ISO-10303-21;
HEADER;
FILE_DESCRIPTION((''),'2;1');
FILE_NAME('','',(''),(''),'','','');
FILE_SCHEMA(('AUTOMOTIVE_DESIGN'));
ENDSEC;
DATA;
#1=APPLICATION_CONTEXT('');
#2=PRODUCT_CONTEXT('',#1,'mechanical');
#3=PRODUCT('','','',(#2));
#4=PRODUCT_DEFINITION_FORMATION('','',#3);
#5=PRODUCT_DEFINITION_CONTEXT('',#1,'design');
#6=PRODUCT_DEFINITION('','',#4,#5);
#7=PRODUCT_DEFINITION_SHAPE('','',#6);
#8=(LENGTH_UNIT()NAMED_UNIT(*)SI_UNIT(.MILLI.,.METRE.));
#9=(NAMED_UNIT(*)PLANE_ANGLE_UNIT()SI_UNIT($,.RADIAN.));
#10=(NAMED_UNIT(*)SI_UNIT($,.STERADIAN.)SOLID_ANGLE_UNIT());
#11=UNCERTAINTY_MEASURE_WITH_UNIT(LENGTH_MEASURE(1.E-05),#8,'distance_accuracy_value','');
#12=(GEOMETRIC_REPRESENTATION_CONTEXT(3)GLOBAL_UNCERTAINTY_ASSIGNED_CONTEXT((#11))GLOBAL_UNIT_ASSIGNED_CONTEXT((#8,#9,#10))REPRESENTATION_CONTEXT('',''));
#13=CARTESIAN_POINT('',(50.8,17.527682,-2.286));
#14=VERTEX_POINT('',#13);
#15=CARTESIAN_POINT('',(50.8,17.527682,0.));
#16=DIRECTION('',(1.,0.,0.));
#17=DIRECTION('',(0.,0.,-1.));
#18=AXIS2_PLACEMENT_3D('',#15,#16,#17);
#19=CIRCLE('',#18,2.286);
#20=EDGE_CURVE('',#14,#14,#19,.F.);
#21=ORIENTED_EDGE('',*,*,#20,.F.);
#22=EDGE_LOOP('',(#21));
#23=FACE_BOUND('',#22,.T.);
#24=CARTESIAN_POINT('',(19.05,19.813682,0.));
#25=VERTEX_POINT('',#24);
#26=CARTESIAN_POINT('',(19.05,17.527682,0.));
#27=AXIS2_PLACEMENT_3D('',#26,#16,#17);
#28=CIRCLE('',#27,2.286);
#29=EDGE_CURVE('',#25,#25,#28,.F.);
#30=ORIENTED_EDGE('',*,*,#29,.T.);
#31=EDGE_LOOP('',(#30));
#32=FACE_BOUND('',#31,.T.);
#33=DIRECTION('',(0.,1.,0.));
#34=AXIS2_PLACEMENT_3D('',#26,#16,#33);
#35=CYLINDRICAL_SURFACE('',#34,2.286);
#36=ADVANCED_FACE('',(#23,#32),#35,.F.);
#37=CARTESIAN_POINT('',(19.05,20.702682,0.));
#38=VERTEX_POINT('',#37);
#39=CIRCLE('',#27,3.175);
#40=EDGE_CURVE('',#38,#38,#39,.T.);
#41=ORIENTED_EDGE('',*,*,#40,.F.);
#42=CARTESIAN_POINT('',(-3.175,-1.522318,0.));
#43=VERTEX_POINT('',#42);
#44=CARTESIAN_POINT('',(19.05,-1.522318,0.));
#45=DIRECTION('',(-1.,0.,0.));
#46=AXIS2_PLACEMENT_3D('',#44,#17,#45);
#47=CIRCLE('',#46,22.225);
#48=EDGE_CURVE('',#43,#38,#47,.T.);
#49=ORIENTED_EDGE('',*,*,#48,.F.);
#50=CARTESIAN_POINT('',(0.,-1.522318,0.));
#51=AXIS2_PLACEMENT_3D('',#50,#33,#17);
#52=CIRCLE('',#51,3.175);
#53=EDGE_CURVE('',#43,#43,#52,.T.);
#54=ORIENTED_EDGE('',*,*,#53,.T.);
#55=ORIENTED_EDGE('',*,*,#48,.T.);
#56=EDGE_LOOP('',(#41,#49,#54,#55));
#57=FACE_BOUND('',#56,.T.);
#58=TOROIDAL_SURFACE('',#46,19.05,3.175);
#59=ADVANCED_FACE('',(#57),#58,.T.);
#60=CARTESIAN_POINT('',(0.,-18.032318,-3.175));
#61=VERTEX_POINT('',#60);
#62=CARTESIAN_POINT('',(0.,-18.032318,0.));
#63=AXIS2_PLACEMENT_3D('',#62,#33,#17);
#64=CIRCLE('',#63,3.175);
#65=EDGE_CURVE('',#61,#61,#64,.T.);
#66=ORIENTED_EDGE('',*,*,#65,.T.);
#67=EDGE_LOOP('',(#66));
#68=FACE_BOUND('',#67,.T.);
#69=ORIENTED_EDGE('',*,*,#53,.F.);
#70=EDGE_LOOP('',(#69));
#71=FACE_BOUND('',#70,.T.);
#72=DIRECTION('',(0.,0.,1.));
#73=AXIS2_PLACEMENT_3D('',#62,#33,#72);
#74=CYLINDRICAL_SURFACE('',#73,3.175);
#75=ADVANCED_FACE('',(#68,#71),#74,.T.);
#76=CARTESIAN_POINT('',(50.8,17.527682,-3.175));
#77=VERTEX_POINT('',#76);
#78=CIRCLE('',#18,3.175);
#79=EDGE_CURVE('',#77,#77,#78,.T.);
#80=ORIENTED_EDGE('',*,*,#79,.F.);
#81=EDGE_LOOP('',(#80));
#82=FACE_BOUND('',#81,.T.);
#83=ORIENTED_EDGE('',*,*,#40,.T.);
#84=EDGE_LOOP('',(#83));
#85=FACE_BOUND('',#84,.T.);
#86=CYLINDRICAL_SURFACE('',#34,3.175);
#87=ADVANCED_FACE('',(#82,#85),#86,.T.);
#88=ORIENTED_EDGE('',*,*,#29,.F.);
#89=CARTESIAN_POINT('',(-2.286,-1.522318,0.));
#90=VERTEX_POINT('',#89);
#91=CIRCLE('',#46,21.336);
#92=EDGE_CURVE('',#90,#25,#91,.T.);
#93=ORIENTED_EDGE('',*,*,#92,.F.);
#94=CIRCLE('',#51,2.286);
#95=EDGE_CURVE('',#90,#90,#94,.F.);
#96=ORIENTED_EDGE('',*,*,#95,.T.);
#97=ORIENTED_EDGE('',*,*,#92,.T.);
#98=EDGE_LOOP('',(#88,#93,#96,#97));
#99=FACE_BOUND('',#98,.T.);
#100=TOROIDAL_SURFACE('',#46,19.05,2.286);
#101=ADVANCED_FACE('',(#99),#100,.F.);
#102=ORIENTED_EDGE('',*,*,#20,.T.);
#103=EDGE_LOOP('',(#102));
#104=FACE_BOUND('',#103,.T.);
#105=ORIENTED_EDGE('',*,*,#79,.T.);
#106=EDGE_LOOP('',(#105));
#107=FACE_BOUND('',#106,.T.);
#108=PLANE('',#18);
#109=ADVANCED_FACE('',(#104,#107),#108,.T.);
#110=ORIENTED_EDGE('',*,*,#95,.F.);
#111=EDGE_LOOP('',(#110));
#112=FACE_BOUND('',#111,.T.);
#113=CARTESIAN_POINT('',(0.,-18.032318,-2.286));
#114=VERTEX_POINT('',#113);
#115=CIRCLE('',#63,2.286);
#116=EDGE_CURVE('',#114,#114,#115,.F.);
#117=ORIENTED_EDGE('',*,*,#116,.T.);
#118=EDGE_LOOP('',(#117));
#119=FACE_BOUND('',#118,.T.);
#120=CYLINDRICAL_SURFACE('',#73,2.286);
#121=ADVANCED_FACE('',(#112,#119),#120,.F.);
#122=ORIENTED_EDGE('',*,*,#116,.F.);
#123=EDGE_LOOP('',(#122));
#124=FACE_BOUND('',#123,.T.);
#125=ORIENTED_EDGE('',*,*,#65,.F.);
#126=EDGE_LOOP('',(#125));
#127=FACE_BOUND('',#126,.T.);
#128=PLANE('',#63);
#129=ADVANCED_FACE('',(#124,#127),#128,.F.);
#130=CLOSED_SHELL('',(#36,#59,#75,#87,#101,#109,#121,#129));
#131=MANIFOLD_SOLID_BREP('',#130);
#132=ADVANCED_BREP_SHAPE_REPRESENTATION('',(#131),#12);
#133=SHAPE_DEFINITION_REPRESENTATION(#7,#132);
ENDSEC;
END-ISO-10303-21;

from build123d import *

# Parameters (mm, degrees)
SKETCH2_R   = 3.175
SKETCH2_R_2 = 2.286


with BuildPart() as part:
    # Sweep1: sweep along a path in Sketch1
    with BuildLine(Plane.XY) as sweep1_path:
        Line((0, -18.032317881), (0, -1.522317881))
        ThreePointArc((0, -1.522317881), (5.579615818, 11.948066301), (19.05, 17.527682119))
        Line((19.05, 17.527682119), (50.8, 17.527682119))
    # Sketch2 → Sweep1 (sweep)
    with BuildSketch(Plane(origin=(50.8, 17.527682119, 0), x_dir=(0, 0, -1), z_dir=(1, 0, 0))):
        Circle(SKETCH2_R)
        Circle(SKETCH2_R_2, mode=Mode.SUBTRACT)
    sweep(path=sweep1_path.line)


solid = part.part
